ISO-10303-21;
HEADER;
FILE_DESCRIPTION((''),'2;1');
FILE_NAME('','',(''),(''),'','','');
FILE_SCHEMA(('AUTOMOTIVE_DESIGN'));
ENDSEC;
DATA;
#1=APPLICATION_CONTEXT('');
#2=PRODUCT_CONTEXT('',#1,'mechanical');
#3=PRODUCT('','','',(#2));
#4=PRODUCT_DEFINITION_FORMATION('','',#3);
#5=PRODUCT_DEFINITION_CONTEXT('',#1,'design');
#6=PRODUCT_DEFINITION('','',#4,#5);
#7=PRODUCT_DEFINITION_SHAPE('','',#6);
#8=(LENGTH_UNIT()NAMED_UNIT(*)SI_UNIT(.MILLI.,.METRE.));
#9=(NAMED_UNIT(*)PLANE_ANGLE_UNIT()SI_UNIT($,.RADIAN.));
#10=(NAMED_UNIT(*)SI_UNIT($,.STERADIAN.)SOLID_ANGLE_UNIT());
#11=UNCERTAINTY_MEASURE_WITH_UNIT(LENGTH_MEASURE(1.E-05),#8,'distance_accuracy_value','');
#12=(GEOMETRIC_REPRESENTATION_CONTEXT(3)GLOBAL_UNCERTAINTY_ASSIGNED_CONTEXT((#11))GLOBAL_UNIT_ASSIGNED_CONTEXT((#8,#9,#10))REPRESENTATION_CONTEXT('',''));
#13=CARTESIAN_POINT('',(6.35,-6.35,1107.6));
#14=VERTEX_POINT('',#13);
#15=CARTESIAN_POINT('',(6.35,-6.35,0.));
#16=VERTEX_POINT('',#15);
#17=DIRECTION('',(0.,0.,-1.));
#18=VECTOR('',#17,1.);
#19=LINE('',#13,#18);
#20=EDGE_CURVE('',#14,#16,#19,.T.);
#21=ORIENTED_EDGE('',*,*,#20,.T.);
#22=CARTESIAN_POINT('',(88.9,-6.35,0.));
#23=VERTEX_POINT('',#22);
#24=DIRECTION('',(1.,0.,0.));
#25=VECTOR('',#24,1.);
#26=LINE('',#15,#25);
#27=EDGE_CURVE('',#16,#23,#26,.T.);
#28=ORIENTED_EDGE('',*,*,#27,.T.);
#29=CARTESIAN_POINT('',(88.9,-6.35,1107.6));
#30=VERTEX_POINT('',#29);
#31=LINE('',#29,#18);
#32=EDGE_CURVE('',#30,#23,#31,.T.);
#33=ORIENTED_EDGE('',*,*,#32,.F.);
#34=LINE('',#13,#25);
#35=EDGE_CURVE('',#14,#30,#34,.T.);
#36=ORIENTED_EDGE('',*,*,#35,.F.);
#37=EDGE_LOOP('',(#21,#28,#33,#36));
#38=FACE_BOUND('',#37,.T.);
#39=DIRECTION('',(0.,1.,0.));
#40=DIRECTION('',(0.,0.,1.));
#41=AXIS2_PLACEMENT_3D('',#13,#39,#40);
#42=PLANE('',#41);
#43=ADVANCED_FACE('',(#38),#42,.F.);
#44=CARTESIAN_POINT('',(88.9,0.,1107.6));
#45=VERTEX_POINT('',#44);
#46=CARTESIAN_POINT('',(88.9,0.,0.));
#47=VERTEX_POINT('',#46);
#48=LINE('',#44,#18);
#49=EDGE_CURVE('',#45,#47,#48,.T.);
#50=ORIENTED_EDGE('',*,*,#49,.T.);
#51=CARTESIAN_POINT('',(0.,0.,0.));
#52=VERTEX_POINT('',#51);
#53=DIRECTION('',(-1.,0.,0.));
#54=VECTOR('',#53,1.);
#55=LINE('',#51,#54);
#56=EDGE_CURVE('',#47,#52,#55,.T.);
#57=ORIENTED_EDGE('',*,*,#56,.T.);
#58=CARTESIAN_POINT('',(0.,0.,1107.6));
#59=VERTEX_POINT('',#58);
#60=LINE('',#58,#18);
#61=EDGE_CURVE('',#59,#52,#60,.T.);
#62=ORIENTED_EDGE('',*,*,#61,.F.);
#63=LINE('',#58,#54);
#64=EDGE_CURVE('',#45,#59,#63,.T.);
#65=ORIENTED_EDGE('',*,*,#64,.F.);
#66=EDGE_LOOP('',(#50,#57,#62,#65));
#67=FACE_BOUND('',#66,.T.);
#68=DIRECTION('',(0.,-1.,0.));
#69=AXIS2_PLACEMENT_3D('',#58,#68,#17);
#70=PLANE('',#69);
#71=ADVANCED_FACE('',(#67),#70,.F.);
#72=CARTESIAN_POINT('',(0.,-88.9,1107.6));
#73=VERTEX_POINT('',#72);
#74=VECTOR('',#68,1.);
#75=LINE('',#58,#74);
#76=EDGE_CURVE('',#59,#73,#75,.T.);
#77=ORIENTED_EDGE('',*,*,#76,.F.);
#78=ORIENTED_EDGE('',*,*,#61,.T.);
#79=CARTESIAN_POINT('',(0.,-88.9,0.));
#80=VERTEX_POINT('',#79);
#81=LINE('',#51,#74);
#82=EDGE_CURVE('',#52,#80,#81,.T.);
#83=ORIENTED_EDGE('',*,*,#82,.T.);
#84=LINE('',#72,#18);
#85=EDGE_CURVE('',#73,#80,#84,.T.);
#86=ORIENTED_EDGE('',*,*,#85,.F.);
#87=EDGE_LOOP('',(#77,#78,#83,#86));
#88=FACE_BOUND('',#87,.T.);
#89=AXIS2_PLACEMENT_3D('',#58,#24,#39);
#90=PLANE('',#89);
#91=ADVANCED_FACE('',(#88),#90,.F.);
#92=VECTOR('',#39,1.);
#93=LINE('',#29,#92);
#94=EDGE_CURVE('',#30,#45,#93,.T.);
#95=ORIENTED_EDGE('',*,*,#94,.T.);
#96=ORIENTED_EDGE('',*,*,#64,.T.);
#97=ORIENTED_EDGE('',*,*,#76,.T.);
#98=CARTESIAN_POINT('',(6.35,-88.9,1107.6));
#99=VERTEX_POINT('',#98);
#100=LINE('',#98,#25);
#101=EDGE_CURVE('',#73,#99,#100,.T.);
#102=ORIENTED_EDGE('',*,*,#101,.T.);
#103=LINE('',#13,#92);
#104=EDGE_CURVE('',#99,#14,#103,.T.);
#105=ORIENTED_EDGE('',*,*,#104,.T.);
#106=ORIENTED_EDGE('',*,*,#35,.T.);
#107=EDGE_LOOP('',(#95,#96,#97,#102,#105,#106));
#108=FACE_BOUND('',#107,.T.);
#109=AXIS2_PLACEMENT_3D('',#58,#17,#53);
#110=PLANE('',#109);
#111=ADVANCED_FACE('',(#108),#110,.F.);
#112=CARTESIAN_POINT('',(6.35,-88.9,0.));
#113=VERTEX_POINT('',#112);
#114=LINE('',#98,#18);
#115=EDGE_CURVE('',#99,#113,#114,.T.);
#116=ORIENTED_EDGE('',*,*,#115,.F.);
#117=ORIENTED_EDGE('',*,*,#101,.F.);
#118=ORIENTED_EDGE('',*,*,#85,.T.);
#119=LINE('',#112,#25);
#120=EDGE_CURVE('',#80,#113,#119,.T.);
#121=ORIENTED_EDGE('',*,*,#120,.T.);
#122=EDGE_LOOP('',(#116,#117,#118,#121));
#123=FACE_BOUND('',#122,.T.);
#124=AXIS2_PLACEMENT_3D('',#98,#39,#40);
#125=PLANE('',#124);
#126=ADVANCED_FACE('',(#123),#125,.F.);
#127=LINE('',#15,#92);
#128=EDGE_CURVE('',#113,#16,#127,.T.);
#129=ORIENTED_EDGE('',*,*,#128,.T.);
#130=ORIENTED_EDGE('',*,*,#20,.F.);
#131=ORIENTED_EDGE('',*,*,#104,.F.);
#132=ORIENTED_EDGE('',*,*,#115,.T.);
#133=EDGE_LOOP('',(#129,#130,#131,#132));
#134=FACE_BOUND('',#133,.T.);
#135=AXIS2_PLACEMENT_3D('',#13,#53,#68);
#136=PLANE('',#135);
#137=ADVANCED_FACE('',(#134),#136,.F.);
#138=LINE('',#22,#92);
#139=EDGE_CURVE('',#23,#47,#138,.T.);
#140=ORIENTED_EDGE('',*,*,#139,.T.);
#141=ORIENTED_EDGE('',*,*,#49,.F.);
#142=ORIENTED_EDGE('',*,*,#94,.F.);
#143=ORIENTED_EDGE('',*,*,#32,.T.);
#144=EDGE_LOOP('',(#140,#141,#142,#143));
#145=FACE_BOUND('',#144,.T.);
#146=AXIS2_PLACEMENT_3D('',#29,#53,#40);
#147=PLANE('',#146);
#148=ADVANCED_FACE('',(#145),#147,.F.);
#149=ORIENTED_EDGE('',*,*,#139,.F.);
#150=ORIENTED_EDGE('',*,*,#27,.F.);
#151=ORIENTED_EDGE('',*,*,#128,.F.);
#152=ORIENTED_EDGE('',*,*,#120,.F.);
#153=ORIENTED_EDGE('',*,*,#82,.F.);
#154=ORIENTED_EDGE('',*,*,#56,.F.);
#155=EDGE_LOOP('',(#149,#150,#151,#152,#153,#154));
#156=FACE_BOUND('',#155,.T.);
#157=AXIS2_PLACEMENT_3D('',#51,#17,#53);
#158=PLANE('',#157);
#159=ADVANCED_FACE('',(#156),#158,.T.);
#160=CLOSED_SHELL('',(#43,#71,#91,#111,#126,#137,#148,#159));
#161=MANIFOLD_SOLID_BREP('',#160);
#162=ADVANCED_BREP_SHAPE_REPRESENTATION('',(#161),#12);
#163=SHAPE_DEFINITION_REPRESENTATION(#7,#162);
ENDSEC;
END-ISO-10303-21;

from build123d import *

# Parameters (mm, degrees)
SALIENTE_EXTRUIR1_DEPTH = 1107.6


with BuildPart() as part:
    # Croquis1 → Saliente-Extruir1 (new body)
    with BuildSketch(Plane.XY):
        Polygon((0, 0), (88.9, 0), (88.9, -6.35), (6.35, -6.35), (6.35, -88.9), (0, -88.9), align=None)
    extrude(amount=SALIENTE_EXTRUIR1_DEPTH)


solid = part.part
